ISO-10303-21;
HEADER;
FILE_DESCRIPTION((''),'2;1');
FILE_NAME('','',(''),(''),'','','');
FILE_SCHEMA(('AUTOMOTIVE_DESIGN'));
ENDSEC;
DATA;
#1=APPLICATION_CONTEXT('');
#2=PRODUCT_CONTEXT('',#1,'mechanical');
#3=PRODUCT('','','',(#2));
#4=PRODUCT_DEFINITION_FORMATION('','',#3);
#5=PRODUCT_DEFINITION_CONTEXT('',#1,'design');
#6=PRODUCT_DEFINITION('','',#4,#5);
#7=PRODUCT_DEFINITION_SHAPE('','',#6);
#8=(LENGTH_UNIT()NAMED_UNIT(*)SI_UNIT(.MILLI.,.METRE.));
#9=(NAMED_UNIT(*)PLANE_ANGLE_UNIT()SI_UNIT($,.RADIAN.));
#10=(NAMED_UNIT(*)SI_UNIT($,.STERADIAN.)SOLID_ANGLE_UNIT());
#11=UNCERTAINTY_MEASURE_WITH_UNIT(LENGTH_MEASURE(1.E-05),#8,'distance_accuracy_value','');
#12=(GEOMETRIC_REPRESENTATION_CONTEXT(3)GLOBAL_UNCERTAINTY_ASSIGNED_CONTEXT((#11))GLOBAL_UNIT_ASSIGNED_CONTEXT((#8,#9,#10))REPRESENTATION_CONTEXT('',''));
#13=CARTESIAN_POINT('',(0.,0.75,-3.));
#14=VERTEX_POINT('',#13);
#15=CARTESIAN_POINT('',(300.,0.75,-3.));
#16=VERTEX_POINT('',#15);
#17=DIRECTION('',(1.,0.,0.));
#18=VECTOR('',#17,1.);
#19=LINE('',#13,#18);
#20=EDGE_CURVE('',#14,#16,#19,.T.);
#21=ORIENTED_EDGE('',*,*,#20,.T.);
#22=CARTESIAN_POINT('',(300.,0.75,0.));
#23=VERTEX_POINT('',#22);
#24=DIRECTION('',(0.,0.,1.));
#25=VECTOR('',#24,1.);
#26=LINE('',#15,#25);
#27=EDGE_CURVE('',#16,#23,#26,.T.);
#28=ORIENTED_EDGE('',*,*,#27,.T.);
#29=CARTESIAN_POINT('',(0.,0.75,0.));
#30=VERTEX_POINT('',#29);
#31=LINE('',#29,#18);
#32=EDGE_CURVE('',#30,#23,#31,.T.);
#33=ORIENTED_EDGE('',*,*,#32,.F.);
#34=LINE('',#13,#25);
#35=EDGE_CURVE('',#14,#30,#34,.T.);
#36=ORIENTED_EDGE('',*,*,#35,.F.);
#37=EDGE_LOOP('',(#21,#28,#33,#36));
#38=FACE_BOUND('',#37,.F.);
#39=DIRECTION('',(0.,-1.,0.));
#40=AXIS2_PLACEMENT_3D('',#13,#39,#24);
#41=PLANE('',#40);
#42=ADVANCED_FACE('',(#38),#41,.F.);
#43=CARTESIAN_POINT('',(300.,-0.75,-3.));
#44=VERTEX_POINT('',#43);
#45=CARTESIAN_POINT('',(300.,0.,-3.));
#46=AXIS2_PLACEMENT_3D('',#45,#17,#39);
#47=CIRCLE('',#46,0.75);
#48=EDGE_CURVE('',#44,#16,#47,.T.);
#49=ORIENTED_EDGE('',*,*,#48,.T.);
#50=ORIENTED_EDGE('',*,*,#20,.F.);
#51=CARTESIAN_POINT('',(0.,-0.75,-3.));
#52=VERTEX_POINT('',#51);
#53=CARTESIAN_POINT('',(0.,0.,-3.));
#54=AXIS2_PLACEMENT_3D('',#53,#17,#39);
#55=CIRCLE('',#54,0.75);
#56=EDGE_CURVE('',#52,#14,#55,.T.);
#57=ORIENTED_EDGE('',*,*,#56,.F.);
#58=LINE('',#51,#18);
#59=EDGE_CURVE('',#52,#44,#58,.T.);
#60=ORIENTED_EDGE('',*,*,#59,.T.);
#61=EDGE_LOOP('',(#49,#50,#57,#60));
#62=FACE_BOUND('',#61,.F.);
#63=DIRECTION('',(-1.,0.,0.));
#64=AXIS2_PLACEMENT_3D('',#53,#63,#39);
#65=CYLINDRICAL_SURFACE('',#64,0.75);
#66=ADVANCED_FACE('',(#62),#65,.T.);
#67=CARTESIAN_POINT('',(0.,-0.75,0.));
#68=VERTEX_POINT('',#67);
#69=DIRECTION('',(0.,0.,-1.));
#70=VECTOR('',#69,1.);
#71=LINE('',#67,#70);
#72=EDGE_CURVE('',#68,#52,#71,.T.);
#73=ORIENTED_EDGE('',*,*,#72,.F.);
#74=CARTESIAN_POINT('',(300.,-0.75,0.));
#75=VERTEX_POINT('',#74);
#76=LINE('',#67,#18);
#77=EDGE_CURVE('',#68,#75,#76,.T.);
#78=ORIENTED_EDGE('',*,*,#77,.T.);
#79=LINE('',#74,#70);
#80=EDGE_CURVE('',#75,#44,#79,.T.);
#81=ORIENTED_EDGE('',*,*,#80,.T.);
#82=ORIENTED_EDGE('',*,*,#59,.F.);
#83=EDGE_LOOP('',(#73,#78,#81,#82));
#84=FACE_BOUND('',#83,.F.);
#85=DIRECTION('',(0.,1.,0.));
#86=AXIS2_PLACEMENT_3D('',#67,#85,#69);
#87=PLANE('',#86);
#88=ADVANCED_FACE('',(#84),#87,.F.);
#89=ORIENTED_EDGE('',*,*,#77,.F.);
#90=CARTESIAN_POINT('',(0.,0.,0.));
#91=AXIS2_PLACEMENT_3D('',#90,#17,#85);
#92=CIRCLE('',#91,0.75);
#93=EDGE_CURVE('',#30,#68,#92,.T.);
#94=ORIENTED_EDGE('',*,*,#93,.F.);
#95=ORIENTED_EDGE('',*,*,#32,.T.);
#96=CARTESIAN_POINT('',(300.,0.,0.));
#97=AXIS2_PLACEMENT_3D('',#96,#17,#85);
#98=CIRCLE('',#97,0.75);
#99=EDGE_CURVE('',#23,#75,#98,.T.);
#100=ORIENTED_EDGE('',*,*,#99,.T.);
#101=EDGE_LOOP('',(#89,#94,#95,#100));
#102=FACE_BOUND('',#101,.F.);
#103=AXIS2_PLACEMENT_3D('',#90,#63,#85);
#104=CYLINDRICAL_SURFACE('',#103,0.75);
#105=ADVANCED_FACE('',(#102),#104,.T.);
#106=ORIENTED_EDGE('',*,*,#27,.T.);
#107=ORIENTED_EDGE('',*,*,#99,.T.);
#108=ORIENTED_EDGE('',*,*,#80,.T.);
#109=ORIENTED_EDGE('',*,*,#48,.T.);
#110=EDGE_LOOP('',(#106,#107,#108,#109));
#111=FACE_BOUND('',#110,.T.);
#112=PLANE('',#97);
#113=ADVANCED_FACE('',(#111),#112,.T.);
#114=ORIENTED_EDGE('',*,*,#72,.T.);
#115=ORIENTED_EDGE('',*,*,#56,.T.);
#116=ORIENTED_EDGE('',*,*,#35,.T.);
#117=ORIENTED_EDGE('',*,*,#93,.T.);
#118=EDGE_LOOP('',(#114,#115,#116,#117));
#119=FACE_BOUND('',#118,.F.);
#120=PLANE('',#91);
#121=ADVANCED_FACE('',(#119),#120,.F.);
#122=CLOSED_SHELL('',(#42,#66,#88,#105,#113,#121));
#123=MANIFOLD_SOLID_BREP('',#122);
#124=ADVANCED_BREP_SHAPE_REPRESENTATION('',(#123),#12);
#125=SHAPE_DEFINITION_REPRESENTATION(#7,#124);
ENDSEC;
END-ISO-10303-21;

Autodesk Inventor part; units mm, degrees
ref_plane "YZ Plane" through (0, 0, 0) normal (1, 0, 0) x (0, 1, 0)
ref_plane "XZ Plane" through (0, 0, 0) normal (0, 1, 0) x (-1, 0, 0)
ref_plane "XY Plane" through (0, 0, 0) normal (0, 0, 1) x (1, 0, 0)
sketch "草图1" plane through (0, 0, 0) normal (1, 0, 0) x (0, 1, 0)
  line L0 (0, 0) -> (0, -3) construction
  line L1 (-0.75, 0) -> (-0.75, -3)
  line L2 (0.75, -3) -> (0.75, 0)
  arc A0 (0.75, 0) -> (-0.75, 0) centre (0, 0) ccw
  arc A1 (-0.75, -3) -> (0.75, -3) centre (0, -3) ccw
  point P0 (0, -1.5)
  dimension "d0" = 3
  dimension "d1" = 1.5
sketch "草图2" plane through (0, 0, 0) normal (1, 0, 0) x (0, 1, 0)
  point P0 (0, 0)
extrude "拉伸1" add sketch "草图1" along normal blind 300
equation "\"折弯半径\" = 厚度"
equation "\"折弯释压宽度\" = 厚度"
equation "\"折弯释压深度\" = 0.5 * 厚度"
equation "\"拐角释压尺寸\" = 4 * 厚度"
equation "\"最小余量\" = 2 * 厚度"
equation "\"过渡半径\" = 折弯半径"
equation "\"Jacobi半径尺寸\" = 折弯半径"
equation "\"间隙大小\" = 厚度"
equation "\"厚度\" = 0.5"
properties part number "Hot Pipe"
